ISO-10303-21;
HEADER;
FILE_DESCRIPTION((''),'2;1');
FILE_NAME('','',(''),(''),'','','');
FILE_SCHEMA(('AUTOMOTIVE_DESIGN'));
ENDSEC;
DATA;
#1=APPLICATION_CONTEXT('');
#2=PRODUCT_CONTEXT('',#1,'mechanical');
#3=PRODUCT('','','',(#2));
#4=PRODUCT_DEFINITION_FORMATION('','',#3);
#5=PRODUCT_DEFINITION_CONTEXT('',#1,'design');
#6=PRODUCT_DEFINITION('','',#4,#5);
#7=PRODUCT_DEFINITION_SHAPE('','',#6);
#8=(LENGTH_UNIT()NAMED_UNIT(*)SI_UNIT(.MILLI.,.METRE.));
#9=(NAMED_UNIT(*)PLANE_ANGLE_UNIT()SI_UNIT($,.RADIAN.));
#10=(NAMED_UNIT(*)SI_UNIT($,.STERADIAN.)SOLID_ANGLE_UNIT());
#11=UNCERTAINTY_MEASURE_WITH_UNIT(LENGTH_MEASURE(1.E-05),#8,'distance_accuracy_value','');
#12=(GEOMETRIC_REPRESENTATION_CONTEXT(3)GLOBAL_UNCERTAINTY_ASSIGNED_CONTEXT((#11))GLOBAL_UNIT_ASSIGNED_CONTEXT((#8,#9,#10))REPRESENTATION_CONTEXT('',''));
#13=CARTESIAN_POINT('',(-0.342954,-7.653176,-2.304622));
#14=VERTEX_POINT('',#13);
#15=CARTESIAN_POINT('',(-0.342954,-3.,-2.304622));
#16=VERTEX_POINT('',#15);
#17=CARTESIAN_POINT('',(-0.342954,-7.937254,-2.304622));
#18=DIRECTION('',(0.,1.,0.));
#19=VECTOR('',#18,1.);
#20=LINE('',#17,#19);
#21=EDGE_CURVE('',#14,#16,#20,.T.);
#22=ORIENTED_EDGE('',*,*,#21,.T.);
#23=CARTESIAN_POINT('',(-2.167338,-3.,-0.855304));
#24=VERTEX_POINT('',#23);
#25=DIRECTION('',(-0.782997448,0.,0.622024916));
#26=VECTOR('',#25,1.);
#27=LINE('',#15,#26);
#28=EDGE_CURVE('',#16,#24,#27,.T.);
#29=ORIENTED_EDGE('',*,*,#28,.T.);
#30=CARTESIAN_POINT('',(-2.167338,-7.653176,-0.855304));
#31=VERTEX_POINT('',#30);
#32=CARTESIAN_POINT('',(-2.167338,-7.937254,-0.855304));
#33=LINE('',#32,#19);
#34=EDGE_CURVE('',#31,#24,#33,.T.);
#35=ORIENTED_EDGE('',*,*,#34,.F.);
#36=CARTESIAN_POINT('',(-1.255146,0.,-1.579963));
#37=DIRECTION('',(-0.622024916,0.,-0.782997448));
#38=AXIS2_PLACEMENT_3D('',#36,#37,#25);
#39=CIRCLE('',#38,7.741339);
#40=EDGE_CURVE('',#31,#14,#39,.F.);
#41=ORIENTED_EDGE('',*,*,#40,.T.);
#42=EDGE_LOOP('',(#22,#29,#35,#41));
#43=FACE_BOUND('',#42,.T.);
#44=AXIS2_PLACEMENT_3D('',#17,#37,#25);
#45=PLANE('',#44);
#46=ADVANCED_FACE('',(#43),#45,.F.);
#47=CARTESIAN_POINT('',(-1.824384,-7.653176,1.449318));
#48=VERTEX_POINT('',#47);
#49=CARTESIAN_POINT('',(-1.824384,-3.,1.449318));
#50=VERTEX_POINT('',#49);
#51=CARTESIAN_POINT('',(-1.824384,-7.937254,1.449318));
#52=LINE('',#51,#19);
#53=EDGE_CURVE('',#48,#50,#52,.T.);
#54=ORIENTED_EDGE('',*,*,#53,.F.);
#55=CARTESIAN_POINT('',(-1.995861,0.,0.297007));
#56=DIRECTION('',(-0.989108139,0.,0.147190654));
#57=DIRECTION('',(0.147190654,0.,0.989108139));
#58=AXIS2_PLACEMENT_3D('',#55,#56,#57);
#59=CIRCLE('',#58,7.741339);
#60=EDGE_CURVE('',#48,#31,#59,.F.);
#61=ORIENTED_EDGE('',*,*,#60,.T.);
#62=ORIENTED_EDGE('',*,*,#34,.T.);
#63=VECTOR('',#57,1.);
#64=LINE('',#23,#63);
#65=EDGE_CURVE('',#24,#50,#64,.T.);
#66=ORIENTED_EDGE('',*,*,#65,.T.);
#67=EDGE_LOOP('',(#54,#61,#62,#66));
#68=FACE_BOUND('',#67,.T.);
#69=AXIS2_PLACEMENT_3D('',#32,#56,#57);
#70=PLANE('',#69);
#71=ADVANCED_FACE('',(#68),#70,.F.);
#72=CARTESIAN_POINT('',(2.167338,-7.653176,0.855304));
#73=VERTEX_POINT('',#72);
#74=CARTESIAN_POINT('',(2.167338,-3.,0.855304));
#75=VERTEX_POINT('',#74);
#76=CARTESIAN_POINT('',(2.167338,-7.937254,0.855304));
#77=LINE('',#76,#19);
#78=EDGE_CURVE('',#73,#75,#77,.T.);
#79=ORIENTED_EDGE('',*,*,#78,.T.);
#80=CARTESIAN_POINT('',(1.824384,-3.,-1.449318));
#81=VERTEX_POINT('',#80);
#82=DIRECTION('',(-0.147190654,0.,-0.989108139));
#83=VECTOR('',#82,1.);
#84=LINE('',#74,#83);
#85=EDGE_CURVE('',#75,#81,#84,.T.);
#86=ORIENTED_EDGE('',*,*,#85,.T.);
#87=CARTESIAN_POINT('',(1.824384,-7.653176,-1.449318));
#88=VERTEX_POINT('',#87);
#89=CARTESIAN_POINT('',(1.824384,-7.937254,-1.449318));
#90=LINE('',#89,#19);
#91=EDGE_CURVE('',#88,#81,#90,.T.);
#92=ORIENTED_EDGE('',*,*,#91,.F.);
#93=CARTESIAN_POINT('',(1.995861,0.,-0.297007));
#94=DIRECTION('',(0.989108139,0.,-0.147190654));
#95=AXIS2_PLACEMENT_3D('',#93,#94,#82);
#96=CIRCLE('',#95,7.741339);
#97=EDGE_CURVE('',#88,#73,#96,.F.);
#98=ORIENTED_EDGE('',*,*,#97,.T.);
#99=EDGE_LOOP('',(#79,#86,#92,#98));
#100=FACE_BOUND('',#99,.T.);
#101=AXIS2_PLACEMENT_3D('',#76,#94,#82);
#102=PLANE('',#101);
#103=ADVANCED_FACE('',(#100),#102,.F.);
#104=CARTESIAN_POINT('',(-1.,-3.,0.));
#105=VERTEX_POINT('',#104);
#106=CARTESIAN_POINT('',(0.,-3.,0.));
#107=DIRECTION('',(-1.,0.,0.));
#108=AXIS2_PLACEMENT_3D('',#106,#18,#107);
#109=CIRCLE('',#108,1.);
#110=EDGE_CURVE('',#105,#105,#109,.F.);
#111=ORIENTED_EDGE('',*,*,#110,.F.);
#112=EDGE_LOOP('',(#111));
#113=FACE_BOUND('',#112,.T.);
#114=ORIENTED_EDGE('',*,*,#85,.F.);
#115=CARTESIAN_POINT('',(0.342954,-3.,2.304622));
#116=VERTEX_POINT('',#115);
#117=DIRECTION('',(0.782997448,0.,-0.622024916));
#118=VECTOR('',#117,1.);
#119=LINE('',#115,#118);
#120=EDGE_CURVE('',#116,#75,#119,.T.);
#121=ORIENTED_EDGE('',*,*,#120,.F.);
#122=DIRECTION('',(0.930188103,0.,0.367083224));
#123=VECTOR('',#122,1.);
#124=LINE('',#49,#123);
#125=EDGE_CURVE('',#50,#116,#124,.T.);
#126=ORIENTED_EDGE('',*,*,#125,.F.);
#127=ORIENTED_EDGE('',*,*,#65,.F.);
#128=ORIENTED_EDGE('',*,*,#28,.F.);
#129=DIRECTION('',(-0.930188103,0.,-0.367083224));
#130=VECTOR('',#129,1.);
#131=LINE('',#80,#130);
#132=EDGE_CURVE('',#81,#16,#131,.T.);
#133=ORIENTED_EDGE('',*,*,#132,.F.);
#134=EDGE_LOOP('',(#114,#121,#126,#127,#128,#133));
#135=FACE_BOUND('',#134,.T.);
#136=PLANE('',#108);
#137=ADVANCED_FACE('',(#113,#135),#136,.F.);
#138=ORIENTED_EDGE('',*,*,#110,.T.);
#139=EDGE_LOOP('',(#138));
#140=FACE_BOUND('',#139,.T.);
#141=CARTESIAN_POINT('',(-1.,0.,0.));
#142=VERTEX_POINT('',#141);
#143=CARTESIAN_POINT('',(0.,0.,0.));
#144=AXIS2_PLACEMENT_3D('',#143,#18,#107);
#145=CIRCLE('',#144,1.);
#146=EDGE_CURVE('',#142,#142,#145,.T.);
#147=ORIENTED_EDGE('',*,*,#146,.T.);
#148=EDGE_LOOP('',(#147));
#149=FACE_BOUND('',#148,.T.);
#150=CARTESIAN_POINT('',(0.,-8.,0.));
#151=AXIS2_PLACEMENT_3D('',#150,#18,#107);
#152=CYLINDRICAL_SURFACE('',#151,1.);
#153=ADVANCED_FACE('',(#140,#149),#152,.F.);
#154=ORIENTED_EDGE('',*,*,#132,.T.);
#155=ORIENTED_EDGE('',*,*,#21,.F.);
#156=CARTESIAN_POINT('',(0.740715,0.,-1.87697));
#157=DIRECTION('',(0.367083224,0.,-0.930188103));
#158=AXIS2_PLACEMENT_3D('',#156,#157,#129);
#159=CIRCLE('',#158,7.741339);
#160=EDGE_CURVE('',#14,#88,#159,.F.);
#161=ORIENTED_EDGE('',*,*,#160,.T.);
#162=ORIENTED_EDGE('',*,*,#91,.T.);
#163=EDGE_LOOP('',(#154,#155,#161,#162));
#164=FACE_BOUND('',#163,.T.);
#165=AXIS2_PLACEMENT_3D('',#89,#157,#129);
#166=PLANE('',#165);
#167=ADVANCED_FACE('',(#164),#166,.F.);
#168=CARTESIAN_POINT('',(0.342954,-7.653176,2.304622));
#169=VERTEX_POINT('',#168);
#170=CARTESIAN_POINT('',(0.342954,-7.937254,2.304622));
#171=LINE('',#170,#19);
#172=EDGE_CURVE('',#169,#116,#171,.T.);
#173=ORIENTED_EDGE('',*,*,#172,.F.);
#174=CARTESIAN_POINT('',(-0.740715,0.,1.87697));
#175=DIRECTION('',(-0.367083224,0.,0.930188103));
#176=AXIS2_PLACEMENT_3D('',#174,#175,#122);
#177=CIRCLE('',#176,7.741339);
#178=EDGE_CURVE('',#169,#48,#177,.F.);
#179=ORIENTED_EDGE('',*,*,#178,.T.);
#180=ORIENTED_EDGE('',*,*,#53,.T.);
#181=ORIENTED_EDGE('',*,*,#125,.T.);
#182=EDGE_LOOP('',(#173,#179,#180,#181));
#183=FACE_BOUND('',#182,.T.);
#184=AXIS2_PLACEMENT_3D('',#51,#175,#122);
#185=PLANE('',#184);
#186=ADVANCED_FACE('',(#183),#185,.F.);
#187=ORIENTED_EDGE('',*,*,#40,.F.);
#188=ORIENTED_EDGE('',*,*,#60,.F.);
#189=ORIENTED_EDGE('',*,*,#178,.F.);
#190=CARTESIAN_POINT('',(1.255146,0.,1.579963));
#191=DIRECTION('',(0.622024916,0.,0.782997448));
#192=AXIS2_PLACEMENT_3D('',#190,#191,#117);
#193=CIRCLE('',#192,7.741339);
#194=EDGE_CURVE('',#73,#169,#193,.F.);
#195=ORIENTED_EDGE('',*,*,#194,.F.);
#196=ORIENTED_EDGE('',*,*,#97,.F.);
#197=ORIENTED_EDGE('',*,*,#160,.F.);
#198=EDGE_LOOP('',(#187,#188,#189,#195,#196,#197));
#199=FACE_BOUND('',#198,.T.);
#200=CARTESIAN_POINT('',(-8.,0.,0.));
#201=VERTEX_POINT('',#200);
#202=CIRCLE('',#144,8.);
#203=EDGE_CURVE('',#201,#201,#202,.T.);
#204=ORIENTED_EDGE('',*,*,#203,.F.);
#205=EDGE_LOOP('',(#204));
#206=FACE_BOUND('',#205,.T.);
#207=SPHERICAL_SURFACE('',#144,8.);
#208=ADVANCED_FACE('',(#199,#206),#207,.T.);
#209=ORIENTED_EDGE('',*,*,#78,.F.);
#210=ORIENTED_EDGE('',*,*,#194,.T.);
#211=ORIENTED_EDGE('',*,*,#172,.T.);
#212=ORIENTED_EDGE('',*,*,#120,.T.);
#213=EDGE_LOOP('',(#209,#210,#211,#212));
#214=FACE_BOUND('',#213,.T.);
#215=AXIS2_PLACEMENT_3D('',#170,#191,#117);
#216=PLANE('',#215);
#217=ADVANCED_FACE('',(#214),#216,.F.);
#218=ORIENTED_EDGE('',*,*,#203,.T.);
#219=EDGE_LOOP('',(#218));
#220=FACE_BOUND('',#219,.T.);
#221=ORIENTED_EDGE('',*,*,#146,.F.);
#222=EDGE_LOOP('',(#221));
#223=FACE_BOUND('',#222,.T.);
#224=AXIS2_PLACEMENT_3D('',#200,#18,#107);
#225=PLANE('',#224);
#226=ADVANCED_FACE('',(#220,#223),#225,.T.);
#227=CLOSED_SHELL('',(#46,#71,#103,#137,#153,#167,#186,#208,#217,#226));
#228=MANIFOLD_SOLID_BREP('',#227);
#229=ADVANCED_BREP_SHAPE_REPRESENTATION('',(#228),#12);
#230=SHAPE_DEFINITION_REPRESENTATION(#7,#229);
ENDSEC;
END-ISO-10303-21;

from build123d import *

# Parameters (mm, degrees)
ESQUISSE2_R             = 1
ENL_V_MAT_EXTRU_1_DEPTH = 9
ENL_V_MAT_EXTRU_3_DEPTH = 5.937253933


with BuildPart() as part:
    # Esquisse1 → Révolution1 (revolve)
    with BuildSketch(Plane.XY):
        with BuildLine():
            Line((-8, 0), (0, 0))
            Line((0, 0), (0, -8))
            ThreePointArc((0, -8), (-5.656854249, -5.656854249), (-8, 0))
        make_face()
    revolve(axis=Axis((0, 0, 0), (0, -1, 0)))

    # Esquisse2 → Enlèv. mat.-Extru.1 (cut, through all)
    with BuildSketch(Plane(origin=(0, 0, 0), x_dir=(1, 0, 0), z_dir=(0, 1, 0))):
        with Locations(Location((0, 0, 0), (0, 0, 180))):  # turned: the seam where the file's is
            Circle(ESQUISSE2_R)
    extrude(amount=-ENL_V_MAT_EXTRU_1_DEPTH, mode=Mode.SUBTRACT)

    # Esquisse4 → Enlèv. mat.-Extru.3 (cut, through all)
    with BuildSketch(Plane(origin=(0, -3, 0), x_dir=(1, 0, 0), z_dir=(0, 1, 0))):
        Polygon((2.16733828, -0.855303911), (1.824384055, 1.449318053), (-0.342954225, 2.304621965), (-2.16733828, 0.855303911), (-1.824384055, -1.449318053), (0.342954225, -2.304621965), align=None)
    extrude(amount=-ENL_V_MAT_EXTRU_3_DEPTH, mode=Mode.SUBTRACT)


solid = part.part
